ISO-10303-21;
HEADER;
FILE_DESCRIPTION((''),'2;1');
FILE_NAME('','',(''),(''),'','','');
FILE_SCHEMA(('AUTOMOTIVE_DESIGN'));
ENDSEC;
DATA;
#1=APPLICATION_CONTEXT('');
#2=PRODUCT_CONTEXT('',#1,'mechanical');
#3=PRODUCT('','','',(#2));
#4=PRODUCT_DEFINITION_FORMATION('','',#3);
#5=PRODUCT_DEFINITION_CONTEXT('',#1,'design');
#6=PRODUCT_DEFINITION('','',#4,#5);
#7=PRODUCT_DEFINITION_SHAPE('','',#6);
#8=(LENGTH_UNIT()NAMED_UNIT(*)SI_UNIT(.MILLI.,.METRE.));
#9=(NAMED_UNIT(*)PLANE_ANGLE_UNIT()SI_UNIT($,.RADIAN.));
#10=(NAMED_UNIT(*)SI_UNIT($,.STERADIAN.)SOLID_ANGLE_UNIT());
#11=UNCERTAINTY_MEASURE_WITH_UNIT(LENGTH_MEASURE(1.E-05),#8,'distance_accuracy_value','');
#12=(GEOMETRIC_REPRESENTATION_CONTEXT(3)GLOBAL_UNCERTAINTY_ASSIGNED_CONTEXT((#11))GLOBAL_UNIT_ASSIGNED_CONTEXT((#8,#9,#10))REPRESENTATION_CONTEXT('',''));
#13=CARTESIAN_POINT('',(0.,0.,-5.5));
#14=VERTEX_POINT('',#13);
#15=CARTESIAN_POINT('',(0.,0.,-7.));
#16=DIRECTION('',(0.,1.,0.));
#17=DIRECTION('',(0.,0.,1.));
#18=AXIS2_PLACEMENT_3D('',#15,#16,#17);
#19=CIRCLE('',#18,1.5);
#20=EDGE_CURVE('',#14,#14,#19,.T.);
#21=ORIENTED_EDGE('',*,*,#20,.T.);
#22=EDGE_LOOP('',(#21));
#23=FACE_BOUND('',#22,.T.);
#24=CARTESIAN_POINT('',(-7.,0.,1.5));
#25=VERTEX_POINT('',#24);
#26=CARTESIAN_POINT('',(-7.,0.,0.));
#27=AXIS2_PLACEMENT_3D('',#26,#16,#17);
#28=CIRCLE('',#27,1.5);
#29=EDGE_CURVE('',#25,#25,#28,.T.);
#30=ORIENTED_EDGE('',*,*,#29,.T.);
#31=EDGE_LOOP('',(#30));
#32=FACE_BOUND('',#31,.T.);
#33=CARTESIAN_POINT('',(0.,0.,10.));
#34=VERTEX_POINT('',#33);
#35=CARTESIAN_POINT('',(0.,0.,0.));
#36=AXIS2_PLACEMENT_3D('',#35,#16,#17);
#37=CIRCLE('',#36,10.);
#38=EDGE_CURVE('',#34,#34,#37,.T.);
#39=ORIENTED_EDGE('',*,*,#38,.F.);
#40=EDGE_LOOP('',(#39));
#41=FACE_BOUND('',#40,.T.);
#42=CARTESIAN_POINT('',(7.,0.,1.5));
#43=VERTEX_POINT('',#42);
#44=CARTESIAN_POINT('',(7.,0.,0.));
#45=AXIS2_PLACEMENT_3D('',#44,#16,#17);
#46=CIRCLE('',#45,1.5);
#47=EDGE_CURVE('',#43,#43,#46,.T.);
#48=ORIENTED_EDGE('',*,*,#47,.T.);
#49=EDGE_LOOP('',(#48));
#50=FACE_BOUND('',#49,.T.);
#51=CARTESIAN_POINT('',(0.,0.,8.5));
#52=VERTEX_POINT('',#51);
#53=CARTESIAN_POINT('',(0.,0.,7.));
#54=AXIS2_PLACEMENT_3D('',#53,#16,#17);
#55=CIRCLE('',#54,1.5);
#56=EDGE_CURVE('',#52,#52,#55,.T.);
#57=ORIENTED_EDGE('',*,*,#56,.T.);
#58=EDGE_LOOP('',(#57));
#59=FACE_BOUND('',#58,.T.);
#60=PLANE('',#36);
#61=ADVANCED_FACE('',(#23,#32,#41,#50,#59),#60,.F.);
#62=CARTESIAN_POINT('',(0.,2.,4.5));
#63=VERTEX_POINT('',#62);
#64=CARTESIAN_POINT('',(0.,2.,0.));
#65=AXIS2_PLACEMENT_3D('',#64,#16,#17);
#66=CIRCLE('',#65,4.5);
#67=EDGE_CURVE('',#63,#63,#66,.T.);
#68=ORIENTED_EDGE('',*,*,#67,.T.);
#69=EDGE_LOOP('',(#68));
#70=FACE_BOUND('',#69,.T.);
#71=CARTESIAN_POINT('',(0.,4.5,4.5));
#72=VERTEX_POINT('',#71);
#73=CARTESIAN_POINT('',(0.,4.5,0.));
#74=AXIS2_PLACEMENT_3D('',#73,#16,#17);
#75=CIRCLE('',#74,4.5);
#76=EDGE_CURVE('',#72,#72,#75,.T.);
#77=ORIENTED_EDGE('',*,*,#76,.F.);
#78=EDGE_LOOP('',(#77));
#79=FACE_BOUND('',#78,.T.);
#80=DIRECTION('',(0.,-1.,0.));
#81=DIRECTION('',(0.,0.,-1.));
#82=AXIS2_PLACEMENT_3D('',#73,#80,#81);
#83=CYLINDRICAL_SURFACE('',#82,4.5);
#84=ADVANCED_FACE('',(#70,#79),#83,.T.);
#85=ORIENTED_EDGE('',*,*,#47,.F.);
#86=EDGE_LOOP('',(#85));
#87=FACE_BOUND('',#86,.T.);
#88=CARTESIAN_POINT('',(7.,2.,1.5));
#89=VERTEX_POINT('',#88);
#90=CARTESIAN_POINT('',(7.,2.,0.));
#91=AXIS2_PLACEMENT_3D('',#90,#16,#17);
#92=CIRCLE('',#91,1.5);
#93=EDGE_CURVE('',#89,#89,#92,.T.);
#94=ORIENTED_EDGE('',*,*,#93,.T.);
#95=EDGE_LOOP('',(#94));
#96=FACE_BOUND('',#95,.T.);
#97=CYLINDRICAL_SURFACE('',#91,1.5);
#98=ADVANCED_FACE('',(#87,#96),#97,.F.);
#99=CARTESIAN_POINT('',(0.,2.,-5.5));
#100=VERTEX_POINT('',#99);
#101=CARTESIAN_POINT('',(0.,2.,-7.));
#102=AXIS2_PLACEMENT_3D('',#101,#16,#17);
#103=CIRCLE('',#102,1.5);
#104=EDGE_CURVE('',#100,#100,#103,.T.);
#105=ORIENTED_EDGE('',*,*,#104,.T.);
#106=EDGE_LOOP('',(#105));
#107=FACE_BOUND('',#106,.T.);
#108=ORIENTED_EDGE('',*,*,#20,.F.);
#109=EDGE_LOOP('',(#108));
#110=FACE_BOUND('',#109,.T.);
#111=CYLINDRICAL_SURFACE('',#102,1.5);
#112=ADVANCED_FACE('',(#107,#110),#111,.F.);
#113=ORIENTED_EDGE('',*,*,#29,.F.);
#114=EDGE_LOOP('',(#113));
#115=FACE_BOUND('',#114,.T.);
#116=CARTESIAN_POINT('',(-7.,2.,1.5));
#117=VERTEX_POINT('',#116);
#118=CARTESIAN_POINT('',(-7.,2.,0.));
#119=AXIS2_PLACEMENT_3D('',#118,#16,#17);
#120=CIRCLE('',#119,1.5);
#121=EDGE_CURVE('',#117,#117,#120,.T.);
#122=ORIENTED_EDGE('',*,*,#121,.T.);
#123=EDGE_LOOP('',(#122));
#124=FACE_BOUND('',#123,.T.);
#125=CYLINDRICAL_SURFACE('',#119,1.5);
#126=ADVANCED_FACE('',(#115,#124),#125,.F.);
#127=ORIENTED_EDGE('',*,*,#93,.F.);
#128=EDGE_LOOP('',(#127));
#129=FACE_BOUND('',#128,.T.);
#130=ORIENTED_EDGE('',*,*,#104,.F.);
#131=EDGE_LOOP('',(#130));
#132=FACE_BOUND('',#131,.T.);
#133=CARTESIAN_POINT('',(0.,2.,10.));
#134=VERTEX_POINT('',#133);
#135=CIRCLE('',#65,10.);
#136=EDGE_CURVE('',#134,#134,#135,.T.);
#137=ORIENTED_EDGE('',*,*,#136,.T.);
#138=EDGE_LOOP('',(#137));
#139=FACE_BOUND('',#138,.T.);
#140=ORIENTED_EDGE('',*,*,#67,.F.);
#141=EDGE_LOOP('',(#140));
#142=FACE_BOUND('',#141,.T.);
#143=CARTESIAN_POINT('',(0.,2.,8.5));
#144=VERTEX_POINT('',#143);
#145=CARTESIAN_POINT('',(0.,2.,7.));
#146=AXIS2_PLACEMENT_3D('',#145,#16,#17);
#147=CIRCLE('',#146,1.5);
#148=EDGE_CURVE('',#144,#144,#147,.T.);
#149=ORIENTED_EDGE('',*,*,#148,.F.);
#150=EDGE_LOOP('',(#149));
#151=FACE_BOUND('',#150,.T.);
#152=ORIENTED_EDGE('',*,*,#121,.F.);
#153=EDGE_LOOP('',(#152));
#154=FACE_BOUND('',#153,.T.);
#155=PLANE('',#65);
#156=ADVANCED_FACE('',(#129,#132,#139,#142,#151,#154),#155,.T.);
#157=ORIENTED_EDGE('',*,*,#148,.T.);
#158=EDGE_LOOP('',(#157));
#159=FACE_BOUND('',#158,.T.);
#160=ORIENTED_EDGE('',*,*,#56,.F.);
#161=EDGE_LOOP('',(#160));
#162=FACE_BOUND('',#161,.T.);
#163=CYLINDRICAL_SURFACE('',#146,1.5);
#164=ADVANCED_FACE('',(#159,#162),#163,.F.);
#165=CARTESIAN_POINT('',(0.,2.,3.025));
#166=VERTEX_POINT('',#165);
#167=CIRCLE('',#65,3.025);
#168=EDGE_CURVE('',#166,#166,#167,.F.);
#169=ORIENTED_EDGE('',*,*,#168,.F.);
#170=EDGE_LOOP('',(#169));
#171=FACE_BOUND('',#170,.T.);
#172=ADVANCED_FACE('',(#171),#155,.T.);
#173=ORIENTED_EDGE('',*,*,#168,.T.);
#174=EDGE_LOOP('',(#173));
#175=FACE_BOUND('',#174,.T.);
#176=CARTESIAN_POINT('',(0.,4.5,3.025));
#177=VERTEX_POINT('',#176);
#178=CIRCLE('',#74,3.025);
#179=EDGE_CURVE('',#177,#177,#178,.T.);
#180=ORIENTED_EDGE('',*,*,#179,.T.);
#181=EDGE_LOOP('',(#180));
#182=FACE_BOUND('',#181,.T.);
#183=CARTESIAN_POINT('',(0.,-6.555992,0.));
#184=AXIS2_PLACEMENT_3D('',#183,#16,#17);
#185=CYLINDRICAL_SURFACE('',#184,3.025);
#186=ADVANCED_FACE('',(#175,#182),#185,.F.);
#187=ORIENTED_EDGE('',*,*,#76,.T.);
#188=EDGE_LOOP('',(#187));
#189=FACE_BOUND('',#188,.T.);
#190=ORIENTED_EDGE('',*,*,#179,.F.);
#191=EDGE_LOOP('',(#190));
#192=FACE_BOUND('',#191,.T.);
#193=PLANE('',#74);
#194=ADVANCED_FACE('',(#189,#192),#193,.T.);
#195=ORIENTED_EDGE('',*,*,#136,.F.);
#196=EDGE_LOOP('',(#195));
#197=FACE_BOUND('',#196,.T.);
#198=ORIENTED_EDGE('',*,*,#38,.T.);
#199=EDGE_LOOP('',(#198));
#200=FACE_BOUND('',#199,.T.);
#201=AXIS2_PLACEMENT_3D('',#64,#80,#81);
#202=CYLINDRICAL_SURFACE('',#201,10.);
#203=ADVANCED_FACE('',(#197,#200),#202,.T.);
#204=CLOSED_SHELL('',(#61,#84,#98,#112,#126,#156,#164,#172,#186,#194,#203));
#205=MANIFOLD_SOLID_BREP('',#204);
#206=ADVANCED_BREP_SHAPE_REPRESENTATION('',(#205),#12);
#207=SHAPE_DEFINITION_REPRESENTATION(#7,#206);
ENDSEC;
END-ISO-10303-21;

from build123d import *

# Parameters (mm, degrees)
CROQUIS1_R                        = 10
SALIENTE_EXTRUIR1_DEPTH           = 2
CROQUIS2_R                        = 4.5
SALIENTE_EXTRUIR2_DEPTH           = 2.5
DI_METRO_DE_TALADRO_3_0_3_1_D     = 3
DI_METRO_DE_TALADRO_3_0_3_1_DEPTH = 50
DI_METRO_DE_TALADRO_3_0_3_1_TIP   = 0.901290929
CROQUIS5_R                        = 3.025
CORTAR_EXTRUIR1_DEPTH             = 2.5


with BuildPart() as part:
    # Croquis1 → Saliente-Extruir1 (new body)
    with BuildSketch(Plane(origin=(0, 0, 0), x_dir=(1, 0, 0), z_dir=(0, 1, 0))):
        with Locations(Location((0, 0, 0), (0, 0, 270))):
            Circle(CROQUIS1_R)
    extrude(amount=SALIENTE_EXTRUIR1_DEPTH)

    # Croquis2 → Saliente-Extruir2 (add)
    with BuildSketch(Plane(origin=(0, 2, 0), x_dir=(1, 0, 0), z_dir=(0, 1, 0))):
        with Locations(Location((0, 0, 0), (0, 0, 270))):
            Circle(CROQUIS2_R)
    extrude(amount=SALIENTE_EXTRUIR2_DEPTH)

    # Diámetro de taladro Ø3.0 (3)1
    with Locations(Plane(origin=(0, 2, 0), x_dir=(1, 0, 0), z_dir=(0, 1, 0))):
        with Locations((0, 7), (-7, 0), (7, 0), (0, -7)):
            Hole(DI_METRO_DE_TALADRO_3_0_3_1_D / 2, depth=DI_METRO_DE_TALADRO_3_0_3_1_DEPTH)
            with Locations((0, 0, -(DI_METRO_DE_TALADRO_3_0_3_1_DEPTH + DI_METRO_DE_TALADRO_3_0_3_1_TIP / 2))):  # 118° drill point
                Cone(0, DI_METRO_DE_TALADRO_3_0_3_1_D / 2, DI_METRO_DE_TALADRO_3_0_3_1_TIP, mode=Mode.SUBTRACT)

    # Croquis5 → Cortar-Extruir1 (cut)
    with BuildSketch(Plane(origin=(0, 4.5, 0), x_dir=(1, 0, 0), z_dir=(0, 1, 0))):
        with Locations(Location((0, 0, 0), (0, 0, 270))):
            Circle(CROQUIS5_R)
    extrude(amount=-CORTAR_EXTRUIR1_DEPTH, mode=Mode.SUBTRACT)


solid = part.part
